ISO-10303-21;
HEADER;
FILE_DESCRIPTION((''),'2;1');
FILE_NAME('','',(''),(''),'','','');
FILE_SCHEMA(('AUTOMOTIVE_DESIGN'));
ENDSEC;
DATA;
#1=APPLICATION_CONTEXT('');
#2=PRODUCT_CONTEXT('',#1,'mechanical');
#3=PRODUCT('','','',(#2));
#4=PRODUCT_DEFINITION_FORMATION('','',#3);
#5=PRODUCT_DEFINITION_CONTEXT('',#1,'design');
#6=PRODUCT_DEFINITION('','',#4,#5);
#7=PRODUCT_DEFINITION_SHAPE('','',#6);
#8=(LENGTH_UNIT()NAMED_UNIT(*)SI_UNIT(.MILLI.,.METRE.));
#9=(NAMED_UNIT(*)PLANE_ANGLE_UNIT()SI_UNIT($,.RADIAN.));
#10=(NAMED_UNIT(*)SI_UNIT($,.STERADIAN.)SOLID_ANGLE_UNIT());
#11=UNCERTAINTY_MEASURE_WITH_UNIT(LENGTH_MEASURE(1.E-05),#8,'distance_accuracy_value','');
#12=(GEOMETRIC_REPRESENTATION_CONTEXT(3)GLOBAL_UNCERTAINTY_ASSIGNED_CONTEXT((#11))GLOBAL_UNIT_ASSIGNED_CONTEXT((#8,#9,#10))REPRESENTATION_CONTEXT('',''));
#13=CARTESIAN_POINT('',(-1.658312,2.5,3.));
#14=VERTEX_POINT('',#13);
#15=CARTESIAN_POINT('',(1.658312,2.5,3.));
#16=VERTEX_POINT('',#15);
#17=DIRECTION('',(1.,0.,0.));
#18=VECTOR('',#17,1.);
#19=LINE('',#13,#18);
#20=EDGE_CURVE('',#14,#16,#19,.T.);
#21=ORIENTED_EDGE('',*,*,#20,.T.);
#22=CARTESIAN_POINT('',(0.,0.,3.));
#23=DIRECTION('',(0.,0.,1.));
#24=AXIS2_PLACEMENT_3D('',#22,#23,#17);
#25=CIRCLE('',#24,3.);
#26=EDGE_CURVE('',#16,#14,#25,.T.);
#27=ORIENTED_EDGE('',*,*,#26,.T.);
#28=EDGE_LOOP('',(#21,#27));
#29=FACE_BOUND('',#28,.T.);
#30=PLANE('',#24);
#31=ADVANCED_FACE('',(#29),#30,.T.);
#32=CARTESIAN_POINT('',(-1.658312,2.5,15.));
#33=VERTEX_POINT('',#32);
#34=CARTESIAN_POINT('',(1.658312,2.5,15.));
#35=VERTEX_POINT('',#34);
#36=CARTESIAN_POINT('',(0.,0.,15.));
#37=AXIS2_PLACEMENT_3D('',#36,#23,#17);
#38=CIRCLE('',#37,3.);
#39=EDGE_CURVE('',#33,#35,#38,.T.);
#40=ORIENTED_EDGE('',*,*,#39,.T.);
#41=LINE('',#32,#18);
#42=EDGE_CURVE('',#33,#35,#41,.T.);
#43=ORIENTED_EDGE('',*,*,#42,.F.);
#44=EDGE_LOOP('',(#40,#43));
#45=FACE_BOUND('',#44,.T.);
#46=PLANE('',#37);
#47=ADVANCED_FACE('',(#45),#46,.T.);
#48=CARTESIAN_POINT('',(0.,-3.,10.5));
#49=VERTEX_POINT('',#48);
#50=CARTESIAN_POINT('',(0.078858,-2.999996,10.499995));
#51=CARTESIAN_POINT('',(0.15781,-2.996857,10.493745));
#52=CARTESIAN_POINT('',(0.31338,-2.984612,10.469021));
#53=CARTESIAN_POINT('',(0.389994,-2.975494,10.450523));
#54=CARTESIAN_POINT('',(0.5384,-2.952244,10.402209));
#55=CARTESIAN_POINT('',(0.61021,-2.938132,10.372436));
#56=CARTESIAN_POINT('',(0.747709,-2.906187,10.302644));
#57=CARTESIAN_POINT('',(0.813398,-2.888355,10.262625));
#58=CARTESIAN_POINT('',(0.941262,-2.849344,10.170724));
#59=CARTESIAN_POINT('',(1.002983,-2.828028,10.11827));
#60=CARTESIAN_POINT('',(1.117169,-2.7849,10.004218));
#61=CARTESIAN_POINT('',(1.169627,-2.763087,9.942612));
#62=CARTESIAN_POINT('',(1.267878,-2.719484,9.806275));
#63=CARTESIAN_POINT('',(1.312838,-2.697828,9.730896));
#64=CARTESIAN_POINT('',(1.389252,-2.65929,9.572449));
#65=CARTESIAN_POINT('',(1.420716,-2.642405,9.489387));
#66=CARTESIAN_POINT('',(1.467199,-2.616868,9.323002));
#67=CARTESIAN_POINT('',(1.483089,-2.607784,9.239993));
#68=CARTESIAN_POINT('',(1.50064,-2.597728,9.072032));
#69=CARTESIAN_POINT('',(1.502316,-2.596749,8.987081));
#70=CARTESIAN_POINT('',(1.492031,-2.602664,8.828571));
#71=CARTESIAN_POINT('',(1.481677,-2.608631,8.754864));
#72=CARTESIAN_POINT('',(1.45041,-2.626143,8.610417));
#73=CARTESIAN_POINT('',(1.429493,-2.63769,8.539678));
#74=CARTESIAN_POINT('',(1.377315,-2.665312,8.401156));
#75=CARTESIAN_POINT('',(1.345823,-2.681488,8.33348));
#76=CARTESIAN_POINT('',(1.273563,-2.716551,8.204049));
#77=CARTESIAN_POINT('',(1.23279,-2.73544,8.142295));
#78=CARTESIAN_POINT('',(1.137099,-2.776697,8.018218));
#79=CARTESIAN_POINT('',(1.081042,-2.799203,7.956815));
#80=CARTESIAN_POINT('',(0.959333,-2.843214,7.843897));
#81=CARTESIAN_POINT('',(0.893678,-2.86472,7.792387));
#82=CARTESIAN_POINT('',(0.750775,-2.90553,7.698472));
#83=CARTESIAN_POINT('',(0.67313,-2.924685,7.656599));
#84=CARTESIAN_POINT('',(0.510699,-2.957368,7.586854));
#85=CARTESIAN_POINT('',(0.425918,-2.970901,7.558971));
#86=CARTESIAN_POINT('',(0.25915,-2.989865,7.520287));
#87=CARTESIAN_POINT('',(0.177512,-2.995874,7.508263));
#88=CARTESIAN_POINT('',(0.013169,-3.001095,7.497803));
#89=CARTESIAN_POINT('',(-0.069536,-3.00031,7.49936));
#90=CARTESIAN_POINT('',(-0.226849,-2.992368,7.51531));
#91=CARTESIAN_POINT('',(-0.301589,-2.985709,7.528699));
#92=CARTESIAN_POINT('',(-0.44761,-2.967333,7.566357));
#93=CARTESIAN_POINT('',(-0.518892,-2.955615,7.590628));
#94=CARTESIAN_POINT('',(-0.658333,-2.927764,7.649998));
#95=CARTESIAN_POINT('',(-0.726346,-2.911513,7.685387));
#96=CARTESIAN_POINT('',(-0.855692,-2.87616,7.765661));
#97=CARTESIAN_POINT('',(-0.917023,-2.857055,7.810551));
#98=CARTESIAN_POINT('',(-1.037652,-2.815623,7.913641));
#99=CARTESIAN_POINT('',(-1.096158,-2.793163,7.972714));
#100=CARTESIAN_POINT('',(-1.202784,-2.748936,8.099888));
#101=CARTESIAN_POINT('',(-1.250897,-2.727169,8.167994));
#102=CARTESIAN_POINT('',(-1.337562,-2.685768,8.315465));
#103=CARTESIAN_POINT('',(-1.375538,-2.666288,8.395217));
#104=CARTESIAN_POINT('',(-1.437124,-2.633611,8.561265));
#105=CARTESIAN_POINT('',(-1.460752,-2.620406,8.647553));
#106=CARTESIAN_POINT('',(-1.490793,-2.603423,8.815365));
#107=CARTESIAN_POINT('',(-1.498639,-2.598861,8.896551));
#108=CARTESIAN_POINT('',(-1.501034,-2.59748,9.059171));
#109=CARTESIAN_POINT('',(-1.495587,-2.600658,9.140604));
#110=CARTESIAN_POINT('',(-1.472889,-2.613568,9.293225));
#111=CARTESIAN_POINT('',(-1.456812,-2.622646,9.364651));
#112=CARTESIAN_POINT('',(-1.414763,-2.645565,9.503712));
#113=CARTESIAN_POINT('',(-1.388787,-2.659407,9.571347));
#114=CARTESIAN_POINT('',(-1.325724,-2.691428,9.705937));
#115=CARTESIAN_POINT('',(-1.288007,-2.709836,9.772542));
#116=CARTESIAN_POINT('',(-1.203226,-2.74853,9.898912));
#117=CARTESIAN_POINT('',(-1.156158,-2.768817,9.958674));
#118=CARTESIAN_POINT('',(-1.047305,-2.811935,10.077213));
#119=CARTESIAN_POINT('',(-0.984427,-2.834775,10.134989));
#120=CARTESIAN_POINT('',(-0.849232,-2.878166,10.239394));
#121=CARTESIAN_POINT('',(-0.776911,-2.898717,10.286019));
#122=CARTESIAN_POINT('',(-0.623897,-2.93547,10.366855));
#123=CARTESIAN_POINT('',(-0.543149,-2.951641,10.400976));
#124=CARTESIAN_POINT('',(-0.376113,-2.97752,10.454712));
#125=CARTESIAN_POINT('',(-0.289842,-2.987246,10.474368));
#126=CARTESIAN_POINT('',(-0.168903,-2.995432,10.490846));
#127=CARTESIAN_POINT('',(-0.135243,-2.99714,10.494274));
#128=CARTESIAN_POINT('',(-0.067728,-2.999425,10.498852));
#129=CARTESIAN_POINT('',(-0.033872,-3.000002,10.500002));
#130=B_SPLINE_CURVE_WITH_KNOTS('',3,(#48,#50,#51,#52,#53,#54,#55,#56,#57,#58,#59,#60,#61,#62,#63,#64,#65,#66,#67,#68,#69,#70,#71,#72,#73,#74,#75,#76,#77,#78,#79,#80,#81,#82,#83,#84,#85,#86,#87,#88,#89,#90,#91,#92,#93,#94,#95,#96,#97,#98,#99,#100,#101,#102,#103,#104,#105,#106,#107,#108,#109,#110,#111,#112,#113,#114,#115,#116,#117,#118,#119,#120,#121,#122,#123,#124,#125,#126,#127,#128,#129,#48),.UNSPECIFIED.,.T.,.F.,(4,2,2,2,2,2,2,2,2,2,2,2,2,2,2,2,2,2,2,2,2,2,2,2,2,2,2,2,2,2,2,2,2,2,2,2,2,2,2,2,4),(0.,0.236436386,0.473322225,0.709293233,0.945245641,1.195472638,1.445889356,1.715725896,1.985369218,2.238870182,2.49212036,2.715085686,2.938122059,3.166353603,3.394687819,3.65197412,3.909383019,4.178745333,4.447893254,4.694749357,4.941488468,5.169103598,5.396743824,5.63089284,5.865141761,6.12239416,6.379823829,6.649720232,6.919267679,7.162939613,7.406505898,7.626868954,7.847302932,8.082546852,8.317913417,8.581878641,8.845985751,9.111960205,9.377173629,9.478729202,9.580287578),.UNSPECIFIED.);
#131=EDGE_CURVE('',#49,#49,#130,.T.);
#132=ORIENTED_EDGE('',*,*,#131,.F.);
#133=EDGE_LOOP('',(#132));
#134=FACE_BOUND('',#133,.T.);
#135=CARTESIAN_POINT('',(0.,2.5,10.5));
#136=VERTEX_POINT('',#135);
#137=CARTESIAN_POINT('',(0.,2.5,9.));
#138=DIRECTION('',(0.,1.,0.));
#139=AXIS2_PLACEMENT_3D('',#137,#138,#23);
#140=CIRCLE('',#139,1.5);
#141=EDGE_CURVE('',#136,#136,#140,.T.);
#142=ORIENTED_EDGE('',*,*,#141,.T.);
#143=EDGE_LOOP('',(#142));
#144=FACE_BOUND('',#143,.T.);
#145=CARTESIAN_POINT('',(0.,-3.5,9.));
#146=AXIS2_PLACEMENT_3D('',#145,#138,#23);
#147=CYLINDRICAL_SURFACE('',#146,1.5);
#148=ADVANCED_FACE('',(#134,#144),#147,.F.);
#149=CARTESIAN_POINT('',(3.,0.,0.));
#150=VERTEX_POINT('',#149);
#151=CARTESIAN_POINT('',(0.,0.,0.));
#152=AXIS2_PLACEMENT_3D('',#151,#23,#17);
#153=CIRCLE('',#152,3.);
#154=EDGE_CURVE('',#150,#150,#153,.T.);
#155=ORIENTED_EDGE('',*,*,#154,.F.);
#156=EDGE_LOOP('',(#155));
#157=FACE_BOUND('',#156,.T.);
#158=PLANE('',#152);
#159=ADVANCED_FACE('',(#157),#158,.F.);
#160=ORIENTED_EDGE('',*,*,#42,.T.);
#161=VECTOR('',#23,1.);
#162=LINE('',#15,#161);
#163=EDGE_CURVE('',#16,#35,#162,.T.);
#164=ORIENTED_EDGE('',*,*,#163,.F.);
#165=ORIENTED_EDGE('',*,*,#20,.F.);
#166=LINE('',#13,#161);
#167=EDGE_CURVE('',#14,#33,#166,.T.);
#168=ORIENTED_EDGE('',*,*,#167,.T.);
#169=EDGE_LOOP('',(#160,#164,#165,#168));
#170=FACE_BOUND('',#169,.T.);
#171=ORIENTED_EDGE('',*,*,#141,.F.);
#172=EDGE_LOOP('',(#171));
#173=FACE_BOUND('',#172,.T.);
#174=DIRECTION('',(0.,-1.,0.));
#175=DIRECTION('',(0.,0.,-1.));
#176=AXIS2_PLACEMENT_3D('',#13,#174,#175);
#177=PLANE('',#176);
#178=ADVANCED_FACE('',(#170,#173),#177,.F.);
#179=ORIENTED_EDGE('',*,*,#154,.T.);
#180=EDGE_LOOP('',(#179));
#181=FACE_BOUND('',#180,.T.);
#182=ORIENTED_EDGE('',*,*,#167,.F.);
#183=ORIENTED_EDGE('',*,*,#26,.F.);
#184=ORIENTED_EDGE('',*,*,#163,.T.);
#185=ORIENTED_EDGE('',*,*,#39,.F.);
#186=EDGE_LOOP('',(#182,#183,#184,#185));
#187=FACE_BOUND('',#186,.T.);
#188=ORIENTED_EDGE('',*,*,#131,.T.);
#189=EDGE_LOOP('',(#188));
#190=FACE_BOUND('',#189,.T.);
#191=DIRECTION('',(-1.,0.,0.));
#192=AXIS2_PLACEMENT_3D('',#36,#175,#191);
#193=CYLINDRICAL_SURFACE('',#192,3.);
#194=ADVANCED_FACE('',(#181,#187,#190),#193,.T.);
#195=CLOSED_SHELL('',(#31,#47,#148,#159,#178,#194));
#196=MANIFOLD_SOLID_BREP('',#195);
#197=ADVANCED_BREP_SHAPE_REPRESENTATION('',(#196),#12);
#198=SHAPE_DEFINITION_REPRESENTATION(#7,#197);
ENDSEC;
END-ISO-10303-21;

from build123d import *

# Parameters (mm, degrees)
SKETCH1_R           = 3
BOSS_EXTRUDE1_DEPTH = 15
CUT_EXTRUDE1_START  = -12
CUT_EXTRUDE1_DEPTH  = 12
SKETCH3_R           = 1.5
CUT_EXTRUDE2_DEPTH  = 6


with BuildPart() as part:
    # Sketch1 → Boss-Extrude1 (new body)
    with BuildSketch(Plane.XY):
        Circle(SKETCH1_R)
    extrude(amount=BOSS_EXTRUDE1_DEPTH)

    # Sketch2 → Cut-Extrude1 (cut)
    with BuildSketch(Plane.XY.offset(15).offset(CUT_EXTRUDE1_START)):
        with BuildLine():
            Line((-1.658312395, 2.5), (1.658312395, 2.5))
            ThreePointArc((1.658312395, 2.5), (0, 3), (-1.658312395, 2.5))
        make_face()
    extrude(amount=CUT_EXTRUDE1_DEPTH, mode=Mode.SUBTRACT)

    # Sketch3 → Cut-Extrude2 (cut)
    with BuildSketch(Plane(origin=(0, 2.5, 0), x_dir=(1, 0, 0), z_dir=(0, 1, 0))):
        with Locations(Location((0, -9, 0), (0, 0, 270))):
            Circle(SKETCH3_R)
    extrude(amount=-CUT_EXTRUDE2_DEPTH, mode=Mode.SUBTRACT)


solid = part.part
